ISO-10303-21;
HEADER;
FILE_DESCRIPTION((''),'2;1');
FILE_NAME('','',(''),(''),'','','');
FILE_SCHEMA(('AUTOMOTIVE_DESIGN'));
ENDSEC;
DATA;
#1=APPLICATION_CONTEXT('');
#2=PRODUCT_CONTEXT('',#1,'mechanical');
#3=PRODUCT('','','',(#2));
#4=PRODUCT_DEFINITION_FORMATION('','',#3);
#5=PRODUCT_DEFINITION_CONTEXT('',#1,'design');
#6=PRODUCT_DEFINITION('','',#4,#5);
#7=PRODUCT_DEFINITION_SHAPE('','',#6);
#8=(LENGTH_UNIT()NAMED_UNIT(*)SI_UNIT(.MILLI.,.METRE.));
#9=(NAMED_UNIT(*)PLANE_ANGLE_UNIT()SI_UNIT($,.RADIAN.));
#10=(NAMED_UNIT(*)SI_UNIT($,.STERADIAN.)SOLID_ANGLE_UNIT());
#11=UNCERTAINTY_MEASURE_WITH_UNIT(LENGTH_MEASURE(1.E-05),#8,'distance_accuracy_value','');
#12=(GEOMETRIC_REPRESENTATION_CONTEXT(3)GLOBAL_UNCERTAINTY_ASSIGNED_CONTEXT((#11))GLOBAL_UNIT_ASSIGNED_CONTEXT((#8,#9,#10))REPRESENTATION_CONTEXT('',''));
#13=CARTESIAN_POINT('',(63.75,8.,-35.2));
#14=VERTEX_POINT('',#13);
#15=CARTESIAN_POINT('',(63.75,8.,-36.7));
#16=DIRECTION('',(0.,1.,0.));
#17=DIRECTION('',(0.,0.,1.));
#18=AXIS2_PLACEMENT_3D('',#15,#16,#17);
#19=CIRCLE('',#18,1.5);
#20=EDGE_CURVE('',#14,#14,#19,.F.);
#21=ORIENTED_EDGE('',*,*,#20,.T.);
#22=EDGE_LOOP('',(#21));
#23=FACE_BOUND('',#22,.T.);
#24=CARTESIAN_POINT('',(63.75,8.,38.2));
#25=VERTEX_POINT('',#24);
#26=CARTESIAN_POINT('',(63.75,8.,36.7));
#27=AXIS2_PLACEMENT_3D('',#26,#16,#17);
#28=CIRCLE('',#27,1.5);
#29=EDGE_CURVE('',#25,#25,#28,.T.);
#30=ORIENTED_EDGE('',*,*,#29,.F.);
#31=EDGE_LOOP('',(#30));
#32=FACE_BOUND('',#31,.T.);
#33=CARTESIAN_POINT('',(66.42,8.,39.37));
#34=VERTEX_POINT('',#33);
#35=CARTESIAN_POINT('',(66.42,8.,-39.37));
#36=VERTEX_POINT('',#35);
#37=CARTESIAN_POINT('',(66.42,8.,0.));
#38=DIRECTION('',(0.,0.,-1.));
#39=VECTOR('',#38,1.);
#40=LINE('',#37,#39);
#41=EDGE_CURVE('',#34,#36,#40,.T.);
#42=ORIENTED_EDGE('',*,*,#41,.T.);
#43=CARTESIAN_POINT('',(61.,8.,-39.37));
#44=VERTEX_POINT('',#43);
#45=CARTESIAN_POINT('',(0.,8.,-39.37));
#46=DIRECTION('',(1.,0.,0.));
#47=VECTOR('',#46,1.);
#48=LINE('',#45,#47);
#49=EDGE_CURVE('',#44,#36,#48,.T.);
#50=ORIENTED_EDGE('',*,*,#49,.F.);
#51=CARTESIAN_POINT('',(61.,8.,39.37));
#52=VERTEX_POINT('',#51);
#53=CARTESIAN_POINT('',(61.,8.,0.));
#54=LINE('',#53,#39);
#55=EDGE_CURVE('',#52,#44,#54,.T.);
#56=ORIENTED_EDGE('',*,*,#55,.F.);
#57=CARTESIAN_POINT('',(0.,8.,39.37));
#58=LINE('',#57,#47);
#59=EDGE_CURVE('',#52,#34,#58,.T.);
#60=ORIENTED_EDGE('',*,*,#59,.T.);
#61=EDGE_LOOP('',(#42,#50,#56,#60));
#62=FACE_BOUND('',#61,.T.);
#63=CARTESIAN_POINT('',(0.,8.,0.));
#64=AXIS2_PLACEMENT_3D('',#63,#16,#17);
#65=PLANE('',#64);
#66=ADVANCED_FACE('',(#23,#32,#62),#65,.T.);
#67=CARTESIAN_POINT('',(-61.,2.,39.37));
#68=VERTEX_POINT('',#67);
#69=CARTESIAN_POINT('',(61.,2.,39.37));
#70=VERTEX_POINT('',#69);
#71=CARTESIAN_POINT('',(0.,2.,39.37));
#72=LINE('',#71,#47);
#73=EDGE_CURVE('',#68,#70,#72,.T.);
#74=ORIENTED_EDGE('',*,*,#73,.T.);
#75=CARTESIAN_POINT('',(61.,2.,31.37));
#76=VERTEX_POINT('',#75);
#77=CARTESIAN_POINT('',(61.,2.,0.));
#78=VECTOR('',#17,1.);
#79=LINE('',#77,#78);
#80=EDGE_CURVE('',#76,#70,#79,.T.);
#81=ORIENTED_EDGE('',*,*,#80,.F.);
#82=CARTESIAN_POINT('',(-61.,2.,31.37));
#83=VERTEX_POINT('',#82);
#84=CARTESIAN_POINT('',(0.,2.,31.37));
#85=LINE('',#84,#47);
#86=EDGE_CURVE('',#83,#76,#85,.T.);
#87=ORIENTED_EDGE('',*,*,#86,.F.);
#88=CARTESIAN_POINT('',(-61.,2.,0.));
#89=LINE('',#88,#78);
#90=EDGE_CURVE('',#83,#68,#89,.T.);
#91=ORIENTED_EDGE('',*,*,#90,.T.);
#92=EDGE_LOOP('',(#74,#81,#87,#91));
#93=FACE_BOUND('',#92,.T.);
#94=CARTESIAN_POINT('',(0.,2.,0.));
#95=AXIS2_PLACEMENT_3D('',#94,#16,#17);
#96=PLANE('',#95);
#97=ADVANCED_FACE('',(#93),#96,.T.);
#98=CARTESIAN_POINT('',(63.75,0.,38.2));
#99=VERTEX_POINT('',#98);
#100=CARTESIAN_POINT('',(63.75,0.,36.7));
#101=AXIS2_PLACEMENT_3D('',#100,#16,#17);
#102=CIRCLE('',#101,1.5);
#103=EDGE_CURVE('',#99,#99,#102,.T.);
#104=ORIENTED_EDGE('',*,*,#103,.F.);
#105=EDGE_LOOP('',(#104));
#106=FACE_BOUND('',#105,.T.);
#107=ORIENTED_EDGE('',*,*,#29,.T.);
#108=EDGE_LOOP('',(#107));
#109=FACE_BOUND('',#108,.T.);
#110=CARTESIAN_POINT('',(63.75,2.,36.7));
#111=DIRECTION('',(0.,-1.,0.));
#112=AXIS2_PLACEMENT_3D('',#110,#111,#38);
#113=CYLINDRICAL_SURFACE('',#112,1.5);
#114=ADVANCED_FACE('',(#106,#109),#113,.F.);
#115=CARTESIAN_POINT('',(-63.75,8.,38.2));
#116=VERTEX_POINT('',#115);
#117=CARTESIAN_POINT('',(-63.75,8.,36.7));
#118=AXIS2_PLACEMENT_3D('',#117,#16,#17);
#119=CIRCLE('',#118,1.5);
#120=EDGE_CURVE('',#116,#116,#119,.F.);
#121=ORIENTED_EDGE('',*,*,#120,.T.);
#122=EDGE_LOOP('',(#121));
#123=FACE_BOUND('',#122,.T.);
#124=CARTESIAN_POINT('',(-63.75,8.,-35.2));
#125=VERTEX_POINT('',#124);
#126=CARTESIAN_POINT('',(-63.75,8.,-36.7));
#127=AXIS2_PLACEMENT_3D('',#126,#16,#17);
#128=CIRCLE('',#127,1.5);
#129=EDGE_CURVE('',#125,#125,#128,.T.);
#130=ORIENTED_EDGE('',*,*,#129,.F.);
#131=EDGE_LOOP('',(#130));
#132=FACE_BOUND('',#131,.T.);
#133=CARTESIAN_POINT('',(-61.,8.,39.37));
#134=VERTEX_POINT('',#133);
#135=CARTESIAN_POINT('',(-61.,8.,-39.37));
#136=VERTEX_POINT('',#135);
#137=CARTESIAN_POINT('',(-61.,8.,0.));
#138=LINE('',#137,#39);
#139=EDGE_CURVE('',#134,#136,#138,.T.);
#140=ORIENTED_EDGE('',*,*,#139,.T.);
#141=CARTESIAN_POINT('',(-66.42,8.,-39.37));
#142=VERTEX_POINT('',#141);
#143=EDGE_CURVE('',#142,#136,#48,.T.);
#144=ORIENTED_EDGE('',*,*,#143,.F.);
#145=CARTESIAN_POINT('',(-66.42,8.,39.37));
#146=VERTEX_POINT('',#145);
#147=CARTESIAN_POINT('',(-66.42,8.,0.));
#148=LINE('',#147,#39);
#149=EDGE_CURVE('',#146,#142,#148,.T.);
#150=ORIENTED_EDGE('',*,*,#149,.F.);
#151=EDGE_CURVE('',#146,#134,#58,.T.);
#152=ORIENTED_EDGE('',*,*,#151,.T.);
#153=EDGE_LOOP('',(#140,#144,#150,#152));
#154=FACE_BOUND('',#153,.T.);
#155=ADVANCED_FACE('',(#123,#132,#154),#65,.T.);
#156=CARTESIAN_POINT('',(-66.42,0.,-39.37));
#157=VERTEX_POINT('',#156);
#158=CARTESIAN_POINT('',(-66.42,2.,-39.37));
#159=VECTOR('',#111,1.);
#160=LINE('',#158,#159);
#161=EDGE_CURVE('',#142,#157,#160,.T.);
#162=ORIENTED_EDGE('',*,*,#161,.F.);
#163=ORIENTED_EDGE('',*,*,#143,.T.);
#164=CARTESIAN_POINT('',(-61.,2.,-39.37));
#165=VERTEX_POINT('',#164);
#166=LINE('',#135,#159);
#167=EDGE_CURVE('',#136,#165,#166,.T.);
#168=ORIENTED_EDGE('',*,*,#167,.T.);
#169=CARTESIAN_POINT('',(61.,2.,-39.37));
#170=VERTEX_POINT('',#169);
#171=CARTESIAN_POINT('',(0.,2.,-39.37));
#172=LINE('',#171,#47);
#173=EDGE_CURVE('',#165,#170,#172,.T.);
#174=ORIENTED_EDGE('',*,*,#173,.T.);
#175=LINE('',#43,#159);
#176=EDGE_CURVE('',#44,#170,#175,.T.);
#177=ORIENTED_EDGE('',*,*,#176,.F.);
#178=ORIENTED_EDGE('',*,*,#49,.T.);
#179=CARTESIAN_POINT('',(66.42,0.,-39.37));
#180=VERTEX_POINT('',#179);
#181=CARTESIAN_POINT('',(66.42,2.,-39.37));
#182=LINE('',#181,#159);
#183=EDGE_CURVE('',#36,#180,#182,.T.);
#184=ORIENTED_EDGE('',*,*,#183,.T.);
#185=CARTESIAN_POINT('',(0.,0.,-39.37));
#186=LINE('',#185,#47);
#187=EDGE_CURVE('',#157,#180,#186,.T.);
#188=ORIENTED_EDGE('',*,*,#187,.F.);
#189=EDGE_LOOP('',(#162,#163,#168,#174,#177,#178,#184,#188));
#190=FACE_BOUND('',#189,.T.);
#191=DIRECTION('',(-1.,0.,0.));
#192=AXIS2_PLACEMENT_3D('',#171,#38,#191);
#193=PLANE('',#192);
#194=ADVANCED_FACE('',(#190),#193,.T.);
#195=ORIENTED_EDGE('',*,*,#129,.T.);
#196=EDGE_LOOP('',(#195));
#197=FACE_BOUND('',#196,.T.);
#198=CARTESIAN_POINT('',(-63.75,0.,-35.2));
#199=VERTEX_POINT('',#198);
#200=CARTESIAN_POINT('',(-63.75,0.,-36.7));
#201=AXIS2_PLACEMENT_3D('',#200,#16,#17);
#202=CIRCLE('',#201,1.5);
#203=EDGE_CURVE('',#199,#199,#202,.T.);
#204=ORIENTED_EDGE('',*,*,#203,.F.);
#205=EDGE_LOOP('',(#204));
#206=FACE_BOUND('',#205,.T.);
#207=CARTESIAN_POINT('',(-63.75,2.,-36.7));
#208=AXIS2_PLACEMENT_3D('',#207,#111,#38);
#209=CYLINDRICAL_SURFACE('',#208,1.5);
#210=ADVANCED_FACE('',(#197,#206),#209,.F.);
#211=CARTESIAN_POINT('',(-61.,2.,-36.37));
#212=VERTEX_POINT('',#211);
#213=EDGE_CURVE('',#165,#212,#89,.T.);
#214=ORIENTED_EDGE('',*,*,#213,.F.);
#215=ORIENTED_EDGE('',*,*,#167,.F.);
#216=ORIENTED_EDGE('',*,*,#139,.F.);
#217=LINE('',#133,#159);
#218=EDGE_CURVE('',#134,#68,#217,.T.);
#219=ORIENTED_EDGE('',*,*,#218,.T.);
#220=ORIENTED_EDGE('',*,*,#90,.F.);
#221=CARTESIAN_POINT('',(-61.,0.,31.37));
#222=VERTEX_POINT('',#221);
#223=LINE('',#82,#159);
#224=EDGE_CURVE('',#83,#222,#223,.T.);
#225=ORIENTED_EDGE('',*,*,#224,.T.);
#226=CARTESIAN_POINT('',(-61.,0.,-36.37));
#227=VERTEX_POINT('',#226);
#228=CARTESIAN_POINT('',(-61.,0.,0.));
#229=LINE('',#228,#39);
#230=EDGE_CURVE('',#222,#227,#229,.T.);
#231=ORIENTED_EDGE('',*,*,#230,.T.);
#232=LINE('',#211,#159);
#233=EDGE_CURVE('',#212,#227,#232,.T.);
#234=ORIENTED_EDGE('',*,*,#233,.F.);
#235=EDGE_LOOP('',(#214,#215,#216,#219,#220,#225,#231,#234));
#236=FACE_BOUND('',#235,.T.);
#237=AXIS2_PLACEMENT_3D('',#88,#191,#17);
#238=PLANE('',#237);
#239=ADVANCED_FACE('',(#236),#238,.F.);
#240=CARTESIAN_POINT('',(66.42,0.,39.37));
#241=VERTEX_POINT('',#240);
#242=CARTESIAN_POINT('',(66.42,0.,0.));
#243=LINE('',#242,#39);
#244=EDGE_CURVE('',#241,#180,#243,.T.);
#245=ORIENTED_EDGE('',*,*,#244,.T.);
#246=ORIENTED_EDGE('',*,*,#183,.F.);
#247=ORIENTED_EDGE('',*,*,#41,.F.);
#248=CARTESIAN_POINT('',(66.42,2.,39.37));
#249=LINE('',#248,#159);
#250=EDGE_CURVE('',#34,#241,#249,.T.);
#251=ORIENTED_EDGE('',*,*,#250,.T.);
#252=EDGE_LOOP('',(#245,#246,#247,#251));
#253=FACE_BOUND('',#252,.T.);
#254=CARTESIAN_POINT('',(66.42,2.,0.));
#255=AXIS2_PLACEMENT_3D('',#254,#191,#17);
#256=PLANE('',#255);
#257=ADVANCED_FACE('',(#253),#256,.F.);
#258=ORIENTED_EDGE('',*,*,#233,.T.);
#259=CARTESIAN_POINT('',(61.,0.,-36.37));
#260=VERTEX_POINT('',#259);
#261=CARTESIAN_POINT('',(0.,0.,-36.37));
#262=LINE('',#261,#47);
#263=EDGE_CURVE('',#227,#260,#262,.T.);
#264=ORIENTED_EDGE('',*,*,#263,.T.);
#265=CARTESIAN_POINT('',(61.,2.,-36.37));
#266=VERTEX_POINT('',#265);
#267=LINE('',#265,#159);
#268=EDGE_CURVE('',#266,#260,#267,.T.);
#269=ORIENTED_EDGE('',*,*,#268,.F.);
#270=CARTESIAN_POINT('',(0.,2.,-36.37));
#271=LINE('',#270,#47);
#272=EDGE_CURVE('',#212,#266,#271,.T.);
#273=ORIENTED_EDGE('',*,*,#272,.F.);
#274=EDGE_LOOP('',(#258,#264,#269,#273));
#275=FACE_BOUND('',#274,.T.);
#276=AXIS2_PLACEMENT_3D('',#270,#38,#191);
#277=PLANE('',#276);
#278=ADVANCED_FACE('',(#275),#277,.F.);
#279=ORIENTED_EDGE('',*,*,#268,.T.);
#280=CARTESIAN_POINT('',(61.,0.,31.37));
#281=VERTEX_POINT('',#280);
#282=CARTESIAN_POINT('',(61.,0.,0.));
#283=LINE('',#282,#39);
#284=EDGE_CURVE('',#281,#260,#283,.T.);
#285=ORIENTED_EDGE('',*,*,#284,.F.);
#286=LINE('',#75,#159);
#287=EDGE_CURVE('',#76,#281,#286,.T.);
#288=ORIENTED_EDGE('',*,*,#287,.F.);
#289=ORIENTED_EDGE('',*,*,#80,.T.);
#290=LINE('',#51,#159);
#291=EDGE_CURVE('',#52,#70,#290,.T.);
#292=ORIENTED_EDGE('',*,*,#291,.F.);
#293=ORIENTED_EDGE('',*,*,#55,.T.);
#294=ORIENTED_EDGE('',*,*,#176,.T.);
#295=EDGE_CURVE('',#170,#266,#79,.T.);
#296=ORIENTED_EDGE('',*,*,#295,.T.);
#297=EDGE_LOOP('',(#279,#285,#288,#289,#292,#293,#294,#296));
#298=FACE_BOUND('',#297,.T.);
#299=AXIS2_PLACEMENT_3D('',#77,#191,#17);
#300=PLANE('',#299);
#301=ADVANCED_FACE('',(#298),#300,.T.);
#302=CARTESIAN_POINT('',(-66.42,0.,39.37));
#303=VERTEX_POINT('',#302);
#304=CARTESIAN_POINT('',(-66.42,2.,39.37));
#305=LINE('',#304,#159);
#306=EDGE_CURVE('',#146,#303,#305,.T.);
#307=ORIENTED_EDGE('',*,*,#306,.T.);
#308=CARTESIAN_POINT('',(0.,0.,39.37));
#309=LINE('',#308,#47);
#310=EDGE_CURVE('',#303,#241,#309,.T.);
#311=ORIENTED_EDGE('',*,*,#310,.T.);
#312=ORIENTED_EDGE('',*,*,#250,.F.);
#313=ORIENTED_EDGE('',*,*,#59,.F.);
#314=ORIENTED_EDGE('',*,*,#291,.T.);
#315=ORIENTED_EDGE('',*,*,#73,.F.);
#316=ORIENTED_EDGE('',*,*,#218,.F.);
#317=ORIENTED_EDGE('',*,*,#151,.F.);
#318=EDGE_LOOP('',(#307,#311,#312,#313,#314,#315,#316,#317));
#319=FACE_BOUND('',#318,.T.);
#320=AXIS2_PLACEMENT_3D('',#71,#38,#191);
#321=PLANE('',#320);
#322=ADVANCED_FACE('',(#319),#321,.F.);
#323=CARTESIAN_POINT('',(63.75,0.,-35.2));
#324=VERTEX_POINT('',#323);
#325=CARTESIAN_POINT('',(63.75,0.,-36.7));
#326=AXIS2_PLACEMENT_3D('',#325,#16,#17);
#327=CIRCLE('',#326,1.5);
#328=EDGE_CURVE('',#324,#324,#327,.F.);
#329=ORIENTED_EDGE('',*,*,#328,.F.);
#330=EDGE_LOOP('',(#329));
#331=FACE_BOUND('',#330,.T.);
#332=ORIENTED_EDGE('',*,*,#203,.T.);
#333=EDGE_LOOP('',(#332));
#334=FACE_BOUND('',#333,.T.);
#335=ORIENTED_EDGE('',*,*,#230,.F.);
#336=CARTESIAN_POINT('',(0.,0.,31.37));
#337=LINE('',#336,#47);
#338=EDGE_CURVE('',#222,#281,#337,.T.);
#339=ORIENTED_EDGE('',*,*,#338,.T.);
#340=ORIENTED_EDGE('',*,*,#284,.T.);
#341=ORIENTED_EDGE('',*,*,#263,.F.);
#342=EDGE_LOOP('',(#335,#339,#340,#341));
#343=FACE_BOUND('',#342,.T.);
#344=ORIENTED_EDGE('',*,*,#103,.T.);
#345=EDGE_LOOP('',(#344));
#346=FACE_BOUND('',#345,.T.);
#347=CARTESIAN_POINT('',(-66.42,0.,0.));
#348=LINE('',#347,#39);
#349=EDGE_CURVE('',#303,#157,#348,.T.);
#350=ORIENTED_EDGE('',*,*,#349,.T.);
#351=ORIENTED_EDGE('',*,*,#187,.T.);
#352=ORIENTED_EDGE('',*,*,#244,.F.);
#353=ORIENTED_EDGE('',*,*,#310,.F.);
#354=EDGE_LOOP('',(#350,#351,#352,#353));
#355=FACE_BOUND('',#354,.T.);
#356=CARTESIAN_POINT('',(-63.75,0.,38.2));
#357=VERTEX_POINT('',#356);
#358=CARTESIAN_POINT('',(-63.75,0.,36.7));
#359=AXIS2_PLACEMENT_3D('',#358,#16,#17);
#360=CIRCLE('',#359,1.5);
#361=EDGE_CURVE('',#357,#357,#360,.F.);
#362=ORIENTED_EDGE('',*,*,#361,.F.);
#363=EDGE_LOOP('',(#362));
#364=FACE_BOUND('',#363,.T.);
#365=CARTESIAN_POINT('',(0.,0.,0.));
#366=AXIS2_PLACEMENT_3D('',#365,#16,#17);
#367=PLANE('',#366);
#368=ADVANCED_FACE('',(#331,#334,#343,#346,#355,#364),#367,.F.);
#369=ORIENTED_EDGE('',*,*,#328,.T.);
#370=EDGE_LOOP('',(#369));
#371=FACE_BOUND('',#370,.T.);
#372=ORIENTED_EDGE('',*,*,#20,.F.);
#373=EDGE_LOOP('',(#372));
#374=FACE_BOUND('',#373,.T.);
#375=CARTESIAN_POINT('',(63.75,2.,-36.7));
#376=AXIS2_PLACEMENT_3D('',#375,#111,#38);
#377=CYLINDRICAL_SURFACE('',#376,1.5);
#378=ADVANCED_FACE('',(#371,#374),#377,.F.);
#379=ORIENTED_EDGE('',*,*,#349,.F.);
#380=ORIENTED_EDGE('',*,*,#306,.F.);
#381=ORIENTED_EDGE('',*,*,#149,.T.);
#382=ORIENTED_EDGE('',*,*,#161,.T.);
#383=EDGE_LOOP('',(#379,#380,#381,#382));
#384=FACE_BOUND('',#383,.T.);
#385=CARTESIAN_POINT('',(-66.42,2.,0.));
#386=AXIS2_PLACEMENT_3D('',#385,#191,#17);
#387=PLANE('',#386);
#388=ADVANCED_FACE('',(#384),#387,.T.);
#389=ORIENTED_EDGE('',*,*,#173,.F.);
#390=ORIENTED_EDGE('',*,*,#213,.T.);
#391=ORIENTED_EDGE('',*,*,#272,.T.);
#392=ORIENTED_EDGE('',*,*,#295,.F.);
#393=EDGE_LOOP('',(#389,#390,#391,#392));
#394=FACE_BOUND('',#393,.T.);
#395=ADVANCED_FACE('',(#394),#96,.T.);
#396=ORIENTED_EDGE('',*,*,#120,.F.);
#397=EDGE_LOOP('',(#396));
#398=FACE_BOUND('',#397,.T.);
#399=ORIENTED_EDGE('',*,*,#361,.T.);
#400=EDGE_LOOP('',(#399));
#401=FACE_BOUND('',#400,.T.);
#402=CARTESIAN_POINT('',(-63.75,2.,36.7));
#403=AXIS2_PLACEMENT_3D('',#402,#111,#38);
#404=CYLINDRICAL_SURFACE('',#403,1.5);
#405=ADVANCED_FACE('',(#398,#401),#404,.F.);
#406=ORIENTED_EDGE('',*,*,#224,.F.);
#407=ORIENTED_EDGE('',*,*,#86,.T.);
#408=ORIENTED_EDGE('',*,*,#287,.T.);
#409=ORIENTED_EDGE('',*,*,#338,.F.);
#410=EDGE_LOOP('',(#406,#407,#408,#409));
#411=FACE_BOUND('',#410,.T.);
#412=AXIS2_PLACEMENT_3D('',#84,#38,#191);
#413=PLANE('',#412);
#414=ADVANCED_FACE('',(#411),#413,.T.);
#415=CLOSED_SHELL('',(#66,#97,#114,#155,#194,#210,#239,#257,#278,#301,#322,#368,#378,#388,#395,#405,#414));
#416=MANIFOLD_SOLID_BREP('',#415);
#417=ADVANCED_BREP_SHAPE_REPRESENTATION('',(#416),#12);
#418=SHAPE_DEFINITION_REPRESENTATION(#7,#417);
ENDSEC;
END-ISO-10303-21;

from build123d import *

# Parameters (mm, degrees)
SKETCH1_W           = 132.84
SKETCH1_H           = 78.74
SKETCH1_W_2         = 122
SKETCH1_H_2         = 67.74
SKETCH1_R           = 1.5
BOSS_EXTRUDE1_DEPTH = 2
SKETCH1_5_W         = 5.42
SKETCH1_5_H         = 78.74
SKETCH1_5_R         = 1.5
BOSS_EXTRUDE3_DEPTH = 8


with BuildPart() as part:
    # Sketch1 → Boss-Extrude1 (new body)
    with BuildSketch(Plane(origin=(0, 0, 0), x_dir=(1, 0, 0), z_dir=(0, 1, 0))):
        Rectangle(SKETCH1_W, SKETCH1_H)
        with Locations((0, 2.5)):
            Rectangle(SKETCH1_W_2, SKETCH1_H_2, mode=Mode.SUBTRACT)
        with Locations((-63.75, -36.7)):
            Circle(SKETCH1_R, mode=Mode.SUBTRACT)
        with Locations((-63.75, 36.7)):
            Circle(SKETCH1_R, mode=Mode.SUBTRACT)
        with Locations((63.75, -36.7)):
            Circle(SKETCH1_R, mode=Mode.SUBTRACT)
        with Locations((63.75, 36.7)):
            Circle(SKETCH1_R, mode=Mode.SUBTRACT)
    extrude(amount=BOSS_EXTRUDE1_DEPTH)

    # Sketch1<5> → Boss-Extrude3 (add)
    # profile 1 of 2: a face of its own
    with BuildSketch(Plane(origin=(0, 0, 0), x_dir=(1, 0, 0), z_dir=(0, 1, 0))):
        with Locations((-63.71, 0)):
            Rectangle(SKETCH1_5_W, SKETCH1_5_H)
        with Locations((-63.75, -36.7)):
            Circle(SKETCH1_5_R, mode=Mode.SUBTRACT)
        with Locations((-63.75, 36.7)):
            Circle(SKETCH1_5_R, mode=Mode.SUBTRACT)
    # profile 2 of 2: a face of its own
    with BuildSketch(Plane(origin=(0, 0, 0), x_dir=(1, 0, 0), z_dir=(0, 1, 0))):
        with Locations((63.71, 0)):
            Rectangle(SKETCH1_5_W, SKETCH1_5_H)
        with Locations((63.75, -36.7)):
            Circle(SKETCH1_5_R, mode=Mode.SUBTRACT)
        with Locations((63.75, 36.7)):
            Circle(SKETCH1_5_R, mode=Mode.SUBTRACT)
    extrude(amount=BOSS_EXTRUDE3_DEPTH)


solid = part.part
